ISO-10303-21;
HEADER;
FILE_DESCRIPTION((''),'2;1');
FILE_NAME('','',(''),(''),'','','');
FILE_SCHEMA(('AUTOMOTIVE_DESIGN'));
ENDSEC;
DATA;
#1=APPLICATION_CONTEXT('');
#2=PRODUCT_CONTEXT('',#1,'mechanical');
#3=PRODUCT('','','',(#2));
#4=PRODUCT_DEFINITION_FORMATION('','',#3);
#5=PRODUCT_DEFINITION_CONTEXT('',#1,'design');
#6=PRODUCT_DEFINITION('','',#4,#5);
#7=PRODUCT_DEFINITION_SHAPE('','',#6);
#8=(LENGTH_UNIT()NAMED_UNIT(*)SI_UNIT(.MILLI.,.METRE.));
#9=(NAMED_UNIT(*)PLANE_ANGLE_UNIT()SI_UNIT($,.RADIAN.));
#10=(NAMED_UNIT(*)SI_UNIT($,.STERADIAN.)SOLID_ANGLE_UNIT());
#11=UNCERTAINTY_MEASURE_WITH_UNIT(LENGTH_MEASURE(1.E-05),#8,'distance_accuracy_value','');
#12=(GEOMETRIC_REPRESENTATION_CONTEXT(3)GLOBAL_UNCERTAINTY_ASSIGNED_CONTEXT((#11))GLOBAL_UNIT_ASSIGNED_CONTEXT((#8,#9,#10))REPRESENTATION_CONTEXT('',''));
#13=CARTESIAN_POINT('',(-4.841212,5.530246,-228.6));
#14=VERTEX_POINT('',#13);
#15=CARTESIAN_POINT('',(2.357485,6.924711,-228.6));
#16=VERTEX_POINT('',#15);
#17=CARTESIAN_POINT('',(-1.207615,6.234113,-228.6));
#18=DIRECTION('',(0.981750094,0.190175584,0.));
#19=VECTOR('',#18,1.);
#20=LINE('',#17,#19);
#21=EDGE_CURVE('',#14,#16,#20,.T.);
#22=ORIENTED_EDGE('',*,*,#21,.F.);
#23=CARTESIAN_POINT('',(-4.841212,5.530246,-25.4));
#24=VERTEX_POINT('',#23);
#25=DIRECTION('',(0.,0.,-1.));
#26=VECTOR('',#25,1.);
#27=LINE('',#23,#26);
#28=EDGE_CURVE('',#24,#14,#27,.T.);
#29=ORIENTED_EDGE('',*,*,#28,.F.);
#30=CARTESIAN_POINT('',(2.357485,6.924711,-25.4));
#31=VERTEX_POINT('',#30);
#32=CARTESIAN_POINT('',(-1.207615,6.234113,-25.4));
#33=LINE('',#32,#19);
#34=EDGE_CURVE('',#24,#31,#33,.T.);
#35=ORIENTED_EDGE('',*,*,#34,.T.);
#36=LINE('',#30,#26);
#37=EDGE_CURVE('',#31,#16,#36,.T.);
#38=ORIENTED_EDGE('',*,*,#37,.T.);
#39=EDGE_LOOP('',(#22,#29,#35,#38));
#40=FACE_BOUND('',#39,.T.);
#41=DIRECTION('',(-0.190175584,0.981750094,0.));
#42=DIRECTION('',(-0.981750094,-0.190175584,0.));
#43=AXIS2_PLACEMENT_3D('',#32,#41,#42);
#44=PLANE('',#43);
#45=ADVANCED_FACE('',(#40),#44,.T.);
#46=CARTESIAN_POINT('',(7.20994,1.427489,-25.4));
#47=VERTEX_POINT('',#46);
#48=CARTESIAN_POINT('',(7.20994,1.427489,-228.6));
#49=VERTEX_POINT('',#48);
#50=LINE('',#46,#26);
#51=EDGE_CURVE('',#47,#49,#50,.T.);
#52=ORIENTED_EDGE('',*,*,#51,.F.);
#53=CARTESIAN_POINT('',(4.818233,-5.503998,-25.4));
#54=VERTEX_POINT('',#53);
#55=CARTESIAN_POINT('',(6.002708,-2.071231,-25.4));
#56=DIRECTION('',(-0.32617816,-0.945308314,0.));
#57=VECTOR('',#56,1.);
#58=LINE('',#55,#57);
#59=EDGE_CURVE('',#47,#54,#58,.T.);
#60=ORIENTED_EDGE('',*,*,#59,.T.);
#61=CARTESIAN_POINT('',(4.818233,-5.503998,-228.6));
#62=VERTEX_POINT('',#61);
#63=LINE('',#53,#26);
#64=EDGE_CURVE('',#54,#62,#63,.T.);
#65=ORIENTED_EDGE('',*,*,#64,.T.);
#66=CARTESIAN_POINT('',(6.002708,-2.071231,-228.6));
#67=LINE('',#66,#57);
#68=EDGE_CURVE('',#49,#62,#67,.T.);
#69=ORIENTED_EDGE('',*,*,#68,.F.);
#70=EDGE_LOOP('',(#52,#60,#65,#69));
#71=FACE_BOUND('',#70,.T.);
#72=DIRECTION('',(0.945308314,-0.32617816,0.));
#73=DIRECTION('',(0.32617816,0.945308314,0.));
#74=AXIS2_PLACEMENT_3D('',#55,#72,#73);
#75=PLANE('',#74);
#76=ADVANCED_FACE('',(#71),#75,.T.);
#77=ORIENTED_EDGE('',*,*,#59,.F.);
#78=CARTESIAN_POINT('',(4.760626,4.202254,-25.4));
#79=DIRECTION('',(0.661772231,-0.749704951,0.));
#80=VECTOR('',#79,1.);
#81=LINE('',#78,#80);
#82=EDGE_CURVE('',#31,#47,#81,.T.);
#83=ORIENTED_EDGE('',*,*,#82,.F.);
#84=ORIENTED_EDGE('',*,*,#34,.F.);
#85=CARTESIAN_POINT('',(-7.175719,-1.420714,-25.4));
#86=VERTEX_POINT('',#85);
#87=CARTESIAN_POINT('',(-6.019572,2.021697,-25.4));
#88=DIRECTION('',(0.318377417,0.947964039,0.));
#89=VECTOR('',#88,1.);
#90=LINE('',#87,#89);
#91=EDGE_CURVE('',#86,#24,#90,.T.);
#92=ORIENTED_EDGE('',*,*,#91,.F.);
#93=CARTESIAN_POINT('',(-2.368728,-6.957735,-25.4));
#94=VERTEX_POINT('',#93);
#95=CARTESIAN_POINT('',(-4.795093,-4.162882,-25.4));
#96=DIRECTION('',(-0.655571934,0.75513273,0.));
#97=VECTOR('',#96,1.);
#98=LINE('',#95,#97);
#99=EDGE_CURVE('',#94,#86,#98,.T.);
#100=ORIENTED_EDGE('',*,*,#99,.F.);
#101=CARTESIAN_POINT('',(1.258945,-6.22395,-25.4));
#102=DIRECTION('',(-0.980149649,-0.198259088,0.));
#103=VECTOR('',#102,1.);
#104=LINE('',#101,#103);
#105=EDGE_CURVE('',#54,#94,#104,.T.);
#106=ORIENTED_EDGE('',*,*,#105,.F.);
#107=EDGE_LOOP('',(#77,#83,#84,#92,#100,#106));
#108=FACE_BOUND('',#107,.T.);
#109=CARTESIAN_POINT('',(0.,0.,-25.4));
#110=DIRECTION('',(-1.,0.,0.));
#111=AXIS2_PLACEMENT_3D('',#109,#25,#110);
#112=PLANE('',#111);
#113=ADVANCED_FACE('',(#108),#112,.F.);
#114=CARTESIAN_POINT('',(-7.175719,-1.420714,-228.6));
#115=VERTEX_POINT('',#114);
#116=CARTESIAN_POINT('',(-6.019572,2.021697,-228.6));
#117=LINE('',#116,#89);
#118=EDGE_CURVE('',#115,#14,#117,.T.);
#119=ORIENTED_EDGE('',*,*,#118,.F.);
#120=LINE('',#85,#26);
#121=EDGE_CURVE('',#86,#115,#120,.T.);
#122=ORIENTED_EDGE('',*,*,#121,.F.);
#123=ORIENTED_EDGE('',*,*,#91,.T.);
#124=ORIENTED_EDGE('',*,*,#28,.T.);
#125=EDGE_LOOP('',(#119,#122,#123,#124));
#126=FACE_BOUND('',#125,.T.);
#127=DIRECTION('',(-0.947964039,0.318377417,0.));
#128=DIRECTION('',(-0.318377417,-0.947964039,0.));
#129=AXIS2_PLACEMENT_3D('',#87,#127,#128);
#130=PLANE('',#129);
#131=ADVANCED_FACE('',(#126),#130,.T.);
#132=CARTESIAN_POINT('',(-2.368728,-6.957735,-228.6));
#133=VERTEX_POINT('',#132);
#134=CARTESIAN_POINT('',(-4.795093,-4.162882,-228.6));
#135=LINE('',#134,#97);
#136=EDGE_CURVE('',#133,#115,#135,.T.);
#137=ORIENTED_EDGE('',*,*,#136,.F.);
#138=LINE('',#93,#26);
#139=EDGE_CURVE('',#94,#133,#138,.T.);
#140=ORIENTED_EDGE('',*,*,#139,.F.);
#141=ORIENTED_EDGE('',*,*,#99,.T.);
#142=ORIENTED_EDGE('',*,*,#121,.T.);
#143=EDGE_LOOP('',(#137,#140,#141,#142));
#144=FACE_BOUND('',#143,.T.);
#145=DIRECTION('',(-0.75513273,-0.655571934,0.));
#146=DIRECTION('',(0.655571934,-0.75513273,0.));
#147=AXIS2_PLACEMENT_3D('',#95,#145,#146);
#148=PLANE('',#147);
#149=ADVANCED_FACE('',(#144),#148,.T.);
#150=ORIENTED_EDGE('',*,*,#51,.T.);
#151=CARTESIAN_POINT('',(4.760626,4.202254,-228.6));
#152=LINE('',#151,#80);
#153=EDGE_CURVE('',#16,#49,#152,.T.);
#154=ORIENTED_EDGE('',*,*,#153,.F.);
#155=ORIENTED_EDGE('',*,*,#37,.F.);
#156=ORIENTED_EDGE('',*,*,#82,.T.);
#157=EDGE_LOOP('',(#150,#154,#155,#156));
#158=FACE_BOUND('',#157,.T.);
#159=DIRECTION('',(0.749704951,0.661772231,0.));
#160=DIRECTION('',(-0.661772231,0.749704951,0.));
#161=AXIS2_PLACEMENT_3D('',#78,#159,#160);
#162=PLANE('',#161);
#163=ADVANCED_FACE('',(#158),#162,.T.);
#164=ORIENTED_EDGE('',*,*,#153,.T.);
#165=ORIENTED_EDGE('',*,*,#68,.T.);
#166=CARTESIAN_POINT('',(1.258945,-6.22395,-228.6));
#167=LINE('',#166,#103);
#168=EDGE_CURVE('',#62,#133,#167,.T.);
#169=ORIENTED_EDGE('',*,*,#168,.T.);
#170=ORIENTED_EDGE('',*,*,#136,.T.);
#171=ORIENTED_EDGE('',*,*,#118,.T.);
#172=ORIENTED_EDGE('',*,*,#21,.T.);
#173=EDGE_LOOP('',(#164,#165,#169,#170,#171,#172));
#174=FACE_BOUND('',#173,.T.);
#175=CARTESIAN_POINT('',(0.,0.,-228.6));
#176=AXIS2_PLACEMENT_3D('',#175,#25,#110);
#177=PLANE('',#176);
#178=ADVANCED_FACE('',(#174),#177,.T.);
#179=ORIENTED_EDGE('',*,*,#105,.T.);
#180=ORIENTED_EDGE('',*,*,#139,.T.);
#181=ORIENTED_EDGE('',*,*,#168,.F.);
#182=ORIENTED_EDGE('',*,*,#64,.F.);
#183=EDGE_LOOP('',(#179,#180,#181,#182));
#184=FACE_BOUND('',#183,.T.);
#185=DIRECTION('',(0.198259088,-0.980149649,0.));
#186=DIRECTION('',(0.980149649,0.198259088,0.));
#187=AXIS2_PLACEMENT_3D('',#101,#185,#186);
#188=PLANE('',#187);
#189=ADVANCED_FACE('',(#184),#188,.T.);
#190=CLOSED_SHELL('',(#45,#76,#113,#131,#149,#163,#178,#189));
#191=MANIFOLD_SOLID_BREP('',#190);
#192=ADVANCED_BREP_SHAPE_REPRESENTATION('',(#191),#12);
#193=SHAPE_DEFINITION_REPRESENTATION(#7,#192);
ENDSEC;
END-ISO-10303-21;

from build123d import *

# Parameters (mm, degrees)
BOSS_EXTRUDE1_DEPTH = 203.2


with BuildPart() as part:
    # Sketch1 → Boss-Extrude1 (new body)
    with BuildSketch(Plane(origin=(0, 0, -228.6), x_dir=(-1, 0, 0), z_dir=(0, 0, -1))):
        Polygon((-2.35748511, 6.924711439), (-7.209939519, 1.427489097), (-4.818233465, -5.503997714), (2.368727938, -6.957735332), (7.175718575, -1.420713725), (4.841211581, 5.530246234), align=None)
    extrude(amount=-BOSS_EXTRUDE1_DEPTH)


solid = part.part
